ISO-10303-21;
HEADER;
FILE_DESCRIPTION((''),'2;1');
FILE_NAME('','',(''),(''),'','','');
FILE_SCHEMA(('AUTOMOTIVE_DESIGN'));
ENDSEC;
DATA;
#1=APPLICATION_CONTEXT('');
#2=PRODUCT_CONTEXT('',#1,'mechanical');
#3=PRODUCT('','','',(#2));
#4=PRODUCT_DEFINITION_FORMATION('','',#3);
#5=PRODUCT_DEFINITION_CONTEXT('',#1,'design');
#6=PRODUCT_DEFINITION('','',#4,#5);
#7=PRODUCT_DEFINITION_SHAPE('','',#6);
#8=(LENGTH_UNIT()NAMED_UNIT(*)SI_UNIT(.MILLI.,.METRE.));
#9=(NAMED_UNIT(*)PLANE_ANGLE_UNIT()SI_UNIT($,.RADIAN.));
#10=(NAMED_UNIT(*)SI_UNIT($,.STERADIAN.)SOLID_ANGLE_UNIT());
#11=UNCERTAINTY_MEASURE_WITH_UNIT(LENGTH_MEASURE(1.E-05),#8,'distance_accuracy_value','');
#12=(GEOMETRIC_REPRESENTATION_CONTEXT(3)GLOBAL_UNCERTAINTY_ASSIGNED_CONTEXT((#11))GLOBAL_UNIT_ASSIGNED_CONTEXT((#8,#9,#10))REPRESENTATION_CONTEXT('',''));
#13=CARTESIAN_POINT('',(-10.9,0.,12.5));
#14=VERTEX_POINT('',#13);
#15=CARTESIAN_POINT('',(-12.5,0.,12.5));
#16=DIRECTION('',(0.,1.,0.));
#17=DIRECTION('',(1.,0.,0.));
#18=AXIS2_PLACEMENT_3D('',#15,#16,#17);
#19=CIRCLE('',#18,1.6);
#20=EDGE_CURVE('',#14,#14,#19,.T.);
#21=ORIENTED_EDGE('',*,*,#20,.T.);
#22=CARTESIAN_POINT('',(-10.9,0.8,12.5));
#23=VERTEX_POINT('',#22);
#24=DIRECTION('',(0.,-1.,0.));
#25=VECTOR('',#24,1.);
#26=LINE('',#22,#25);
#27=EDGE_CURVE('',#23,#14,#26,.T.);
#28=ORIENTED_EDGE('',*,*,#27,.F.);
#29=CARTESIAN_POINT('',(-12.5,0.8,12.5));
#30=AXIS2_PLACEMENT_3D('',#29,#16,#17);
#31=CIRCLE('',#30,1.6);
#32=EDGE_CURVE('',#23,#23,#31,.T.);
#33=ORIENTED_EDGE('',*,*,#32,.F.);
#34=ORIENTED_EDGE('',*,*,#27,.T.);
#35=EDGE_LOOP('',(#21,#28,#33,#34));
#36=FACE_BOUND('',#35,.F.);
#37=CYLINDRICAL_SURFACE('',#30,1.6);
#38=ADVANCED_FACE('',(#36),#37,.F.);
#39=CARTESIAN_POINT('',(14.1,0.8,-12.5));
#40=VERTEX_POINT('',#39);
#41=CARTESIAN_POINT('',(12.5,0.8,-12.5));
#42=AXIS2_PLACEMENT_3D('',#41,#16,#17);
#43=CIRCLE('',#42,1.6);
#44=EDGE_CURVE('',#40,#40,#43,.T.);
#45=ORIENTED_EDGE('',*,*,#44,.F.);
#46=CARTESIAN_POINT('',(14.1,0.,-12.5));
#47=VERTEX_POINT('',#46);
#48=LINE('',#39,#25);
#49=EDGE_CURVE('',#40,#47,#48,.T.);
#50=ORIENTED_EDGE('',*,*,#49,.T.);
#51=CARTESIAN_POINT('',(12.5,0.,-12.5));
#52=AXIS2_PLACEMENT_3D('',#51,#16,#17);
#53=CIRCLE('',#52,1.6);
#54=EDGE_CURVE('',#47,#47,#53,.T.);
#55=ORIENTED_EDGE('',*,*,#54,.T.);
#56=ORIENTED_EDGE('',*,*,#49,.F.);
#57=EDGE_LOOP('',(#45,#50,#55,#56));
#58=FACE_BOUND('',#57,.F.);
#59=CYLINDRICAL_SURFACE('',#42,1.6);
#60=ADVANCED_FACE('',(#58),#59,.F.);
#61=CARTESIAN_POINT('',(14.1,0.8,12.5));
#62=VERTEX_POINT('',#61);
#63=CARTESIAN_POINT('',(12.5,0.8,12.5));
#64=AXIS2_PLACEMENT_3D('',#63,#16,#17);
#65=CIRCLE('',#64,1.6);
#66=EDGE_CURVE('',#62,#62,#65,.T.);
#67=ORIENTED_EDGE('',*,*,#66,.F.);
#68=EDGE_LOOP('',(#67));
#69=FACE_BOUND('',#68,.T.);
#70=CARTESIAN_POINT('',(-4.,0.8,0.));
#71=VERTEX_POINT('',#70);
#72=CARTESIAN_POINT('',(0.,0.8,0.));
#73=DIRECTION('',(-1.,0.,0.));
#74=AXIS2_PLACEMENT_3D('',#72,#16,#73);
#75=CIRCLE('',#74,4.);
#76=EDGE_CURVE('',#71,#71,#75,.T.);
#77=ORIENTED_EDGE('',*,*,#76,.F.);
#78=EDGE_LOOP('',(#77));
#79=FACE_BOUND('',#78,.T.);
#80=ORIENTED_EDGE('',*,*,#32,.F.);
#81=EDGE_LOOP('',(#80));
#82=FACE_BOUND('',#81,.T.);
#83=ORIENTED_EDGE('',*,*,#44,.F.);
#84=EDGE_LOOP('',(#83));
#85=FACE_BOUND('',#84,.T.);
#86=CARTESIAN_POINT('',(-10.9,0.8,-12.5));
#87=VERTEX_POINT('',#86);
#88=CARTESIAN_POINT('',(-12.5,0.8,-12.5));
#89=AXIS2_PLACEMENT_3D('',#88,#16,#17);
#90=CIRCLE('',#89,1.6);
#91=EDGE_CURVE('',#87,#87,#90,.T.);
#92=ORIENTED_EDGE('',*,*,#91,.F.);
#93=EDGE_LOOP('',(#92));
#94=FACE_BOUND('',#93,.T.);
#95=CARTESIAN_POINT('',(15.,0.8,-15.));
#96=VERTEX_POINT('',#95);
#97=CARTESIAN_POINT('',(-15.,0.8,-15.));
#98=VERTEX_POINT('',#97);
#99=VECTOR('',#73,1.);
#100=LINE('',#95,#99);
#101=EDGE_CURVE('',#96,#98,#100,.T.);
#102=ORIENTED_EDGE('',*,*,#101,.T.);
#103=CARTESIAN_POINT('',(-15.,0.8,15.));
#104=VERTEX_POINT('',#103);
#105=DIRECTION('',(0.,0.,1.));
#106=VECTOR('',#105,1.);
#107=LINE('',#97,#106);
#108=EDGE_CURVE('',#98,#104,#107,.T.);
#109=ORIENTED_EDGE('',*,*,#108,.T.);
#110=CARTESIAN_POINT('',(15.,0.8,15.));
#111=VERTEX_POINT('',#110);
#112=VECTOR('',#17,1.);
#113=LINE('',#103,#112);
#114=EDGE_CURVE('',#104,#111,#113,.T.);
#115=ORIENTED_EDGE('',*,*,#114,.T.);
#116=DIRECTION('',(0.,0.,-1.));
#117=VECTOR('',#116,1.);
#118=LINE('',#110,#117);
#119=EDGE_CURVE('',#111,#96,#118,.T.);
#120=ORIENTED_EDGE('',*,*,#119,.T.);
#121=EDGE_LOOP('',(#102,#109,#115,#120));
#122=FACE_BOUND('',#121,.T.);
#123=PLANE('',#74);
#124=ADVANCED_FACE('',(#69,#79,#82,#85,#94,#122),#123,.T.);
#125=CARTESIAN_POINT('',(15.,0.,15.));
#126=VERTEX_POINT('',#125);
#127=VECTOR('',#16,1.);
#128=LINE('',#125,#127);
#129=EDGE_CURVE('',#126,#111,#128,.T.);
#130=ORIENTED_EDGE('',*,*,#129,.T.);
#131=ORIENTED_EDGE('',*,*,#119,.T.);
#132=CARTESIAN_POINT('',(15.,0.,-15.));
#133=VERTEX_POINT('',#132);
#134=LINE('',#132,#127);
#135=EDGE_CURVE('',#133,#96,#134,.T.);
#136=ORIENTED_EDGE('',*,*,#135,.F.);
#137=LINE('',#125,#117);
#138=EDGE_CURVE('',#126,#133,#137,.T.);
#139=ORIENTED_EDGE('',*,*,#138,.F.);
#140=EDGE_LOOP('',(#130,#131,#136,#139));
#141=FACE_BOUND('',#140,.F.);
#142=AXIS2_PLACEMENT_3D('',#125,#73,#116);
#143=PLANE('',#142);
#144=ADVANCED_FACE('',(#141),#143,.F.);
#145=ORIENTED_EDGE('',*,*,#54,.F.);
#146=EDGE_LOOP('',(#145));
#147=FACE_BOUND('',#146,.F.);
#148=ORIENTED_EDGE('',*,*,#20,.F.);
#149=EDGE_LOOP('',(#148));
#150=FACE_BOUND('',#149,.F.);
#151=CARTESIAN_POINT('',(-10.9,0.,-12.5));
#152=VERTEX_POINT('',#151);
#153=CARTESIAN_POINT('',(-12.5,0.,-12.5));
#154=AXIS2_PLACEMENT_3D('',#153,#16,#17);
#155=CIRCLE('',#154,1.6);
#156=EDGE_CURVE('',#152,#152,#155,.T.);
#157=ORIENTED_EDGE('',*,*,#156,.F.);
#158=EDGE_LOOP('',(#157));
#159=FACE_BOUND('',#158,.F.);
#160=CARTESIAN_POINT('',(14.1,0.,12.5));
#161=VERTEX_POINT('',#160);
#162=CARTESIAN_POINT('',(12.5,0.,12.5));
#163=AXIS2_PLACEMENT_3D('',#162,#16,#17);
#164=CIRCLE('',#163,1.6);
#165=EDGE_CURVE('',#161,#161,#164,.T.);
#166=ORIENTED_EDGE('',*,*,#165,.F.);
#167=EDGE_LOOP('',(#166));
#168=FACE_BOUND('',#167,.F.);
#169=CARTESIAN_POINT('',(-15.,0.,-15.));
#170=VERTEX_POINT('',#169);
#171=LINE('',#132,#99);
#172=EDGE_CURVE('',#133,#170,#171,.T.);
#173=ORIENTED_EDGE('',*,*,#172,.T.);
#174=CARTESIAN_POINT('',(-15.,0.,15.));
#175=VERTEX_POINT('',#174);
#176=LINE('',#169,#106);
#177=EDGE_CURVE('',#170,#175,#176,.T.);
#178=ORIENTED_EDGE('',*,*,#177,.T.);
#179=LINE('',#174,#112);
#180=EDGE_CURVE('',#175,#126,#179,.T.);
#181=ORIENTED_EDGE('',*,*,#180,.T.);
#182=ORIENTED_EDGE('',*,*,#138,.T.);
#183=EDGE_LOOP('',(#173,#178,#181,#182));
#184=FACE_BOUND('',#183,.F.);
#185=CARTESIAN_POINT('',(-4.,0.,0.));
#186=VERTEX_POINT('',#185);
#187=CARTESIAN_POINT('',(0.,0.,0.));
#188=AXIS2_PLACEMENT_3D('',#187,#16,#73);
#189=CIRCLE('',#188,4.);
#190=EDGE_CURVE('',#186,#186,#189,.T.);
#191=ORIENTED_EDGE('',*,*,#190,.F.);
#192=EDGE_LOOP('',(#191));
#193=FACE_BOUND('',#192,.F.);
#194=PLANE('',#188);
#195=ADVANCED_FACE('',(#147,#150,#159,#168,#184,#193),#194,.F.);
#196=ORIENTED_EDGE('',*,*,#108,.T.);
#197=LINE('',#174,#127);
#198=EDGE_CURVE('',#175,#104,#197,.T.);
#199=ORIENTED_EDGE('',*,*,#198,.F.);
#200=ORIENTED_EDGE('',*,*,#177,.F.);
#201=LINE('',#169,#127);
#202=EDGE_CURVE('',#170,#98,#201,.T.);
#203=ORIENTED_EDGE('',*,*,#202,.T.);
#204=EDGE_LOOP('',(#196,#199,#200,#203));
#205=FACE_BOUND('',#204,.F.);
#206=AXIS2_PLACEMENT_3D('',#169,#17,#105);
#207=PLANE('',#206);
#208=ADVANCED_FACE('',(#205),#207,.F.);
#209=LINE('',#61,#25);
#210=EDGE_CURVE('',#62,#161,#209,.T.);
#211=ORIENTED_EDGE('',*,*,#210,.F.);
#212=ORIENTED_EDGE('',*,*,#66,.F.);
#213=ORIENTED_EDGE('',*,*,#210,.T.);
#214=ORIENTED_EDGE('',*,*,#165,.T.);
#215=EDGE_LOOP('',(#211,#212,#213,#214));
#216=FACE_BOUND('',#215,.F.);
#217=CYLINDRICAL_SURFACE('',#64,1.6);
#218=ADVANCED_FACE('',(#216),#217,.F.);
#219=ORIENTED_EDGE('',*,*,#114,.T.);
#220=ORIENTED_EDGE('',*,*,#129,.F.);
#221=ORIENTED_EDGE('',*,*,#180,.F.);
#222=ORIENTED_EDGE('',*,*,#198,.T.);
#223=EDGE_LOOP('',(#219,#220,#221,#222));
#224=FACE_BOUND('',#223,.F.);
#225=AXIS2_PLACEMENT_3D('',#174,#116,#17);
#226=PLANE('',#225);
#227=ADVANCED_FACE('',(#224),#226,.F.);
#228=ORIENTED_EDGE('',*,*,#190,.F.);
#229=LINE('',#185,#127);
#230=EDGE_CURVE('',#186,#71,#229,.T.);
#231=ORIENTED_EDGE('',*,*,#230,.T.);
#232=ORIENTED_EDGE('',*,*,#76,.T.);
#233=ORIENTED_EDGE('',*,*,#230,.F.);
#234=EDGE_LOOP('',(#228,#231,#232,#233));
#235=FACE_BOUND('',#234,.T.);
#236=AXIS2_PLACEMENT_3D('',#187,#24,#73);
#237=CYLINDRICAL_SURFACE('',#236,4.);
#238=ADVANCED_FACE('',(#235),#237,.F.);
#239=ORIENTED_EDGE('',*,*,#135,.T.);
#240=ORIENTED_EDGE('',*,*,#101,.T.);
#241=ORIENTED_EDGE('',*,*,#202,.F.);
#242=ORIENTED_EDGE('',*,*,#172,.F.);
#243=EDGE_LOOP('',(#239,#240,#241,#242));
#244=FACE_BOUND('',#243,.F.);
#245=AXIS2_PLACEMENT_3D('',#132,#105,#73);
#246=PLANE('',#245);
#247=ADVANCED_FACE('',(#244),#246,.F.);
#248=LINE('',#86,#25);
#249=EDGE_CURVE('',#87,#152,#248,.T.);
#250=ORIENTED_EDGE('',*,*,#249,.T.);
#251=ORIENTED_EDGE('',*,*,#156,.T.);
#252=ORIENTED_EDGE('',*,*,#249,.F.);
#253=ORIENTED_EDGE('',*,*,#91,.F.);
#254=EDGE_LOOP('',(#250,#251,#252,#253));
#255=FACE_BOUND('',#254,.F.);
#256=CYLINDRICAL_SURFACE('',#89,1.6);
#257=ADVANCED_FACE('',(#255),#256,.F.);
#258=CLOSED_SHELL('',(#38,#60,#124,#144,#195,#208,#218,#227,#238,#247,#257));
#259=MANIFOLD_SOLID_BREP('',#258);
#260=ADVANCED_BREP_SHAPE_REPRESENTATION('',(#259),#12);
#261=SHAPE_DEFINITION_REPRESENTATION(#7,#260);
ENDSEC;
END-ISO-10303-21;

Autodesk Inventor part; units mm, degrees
ref_plane "YZ Plane" through (0, 0, 0) normal (1, 0, 0) x (0, 1, 0)
ref_plane "XZ Plane" through (0, 0, 0) normal (0, 1, 0) x (-1, 0, 0)
ref_plane "XY Plane" through (0, 0, 0) normal (0, 0, 1) x (1, 0, 0)
sketch "スケッチ1" plane through (0, 0, 0) normal (0, 1, 0) x (-1, 0, 0)
  line L0 (-15, -15) -> (15, -15)
  line L1 (15, -15) -> (15, 15)
  line L2 (15, 15) -> (-15, 15)
  line L3 (-15, 15) -> (-15, -15)
  line L4 (-15, -15) -> (15, 15) construction
  line L5 (15, -15) -> (-15, 15) construction
  circle A0 centre (0, 0) radius 4
  dimension "d0" = 30
  dimension "d1" = 30
  dimension "d2" = 8
extrude "押し出し1" add sketch "スケッチ1" along normal blind 0.8
sketch "スケッチ2" plane through (0, 0.8, 0) normal (0, 1, 0) x (1, 0, 0)
  circle A0 centre (-12.5, -12.5) radius 1.6
  line L0 (0, -18.82) -> (0, 21.247)
  line L1 (-16.0432, 0) -> (16.9483, 0)
  circle A1 centre (-12.5, 12.5) radius 1.6
  circle A2 centre (12.5, -12.5) radius 1.6
  circle A3 centre (12.5, 12.5) radius 1.6
  line L2 (-15, 15) -> (-15, -15) projected
  line L3 (-15, -15) -> (15, -15) projected
  point P0 (0, 0)
  dimension "d5" = 3.2
  dimension "d10" = 25
  dimension "d13" = 25
  dimension "d18" = 2.5
  dimension "d19" = 2.5
extrude "押し出し2" cut sketch "スケッチ2" against normal through all contours A0 | A1 | A2 | A3
properties part number "Base"
